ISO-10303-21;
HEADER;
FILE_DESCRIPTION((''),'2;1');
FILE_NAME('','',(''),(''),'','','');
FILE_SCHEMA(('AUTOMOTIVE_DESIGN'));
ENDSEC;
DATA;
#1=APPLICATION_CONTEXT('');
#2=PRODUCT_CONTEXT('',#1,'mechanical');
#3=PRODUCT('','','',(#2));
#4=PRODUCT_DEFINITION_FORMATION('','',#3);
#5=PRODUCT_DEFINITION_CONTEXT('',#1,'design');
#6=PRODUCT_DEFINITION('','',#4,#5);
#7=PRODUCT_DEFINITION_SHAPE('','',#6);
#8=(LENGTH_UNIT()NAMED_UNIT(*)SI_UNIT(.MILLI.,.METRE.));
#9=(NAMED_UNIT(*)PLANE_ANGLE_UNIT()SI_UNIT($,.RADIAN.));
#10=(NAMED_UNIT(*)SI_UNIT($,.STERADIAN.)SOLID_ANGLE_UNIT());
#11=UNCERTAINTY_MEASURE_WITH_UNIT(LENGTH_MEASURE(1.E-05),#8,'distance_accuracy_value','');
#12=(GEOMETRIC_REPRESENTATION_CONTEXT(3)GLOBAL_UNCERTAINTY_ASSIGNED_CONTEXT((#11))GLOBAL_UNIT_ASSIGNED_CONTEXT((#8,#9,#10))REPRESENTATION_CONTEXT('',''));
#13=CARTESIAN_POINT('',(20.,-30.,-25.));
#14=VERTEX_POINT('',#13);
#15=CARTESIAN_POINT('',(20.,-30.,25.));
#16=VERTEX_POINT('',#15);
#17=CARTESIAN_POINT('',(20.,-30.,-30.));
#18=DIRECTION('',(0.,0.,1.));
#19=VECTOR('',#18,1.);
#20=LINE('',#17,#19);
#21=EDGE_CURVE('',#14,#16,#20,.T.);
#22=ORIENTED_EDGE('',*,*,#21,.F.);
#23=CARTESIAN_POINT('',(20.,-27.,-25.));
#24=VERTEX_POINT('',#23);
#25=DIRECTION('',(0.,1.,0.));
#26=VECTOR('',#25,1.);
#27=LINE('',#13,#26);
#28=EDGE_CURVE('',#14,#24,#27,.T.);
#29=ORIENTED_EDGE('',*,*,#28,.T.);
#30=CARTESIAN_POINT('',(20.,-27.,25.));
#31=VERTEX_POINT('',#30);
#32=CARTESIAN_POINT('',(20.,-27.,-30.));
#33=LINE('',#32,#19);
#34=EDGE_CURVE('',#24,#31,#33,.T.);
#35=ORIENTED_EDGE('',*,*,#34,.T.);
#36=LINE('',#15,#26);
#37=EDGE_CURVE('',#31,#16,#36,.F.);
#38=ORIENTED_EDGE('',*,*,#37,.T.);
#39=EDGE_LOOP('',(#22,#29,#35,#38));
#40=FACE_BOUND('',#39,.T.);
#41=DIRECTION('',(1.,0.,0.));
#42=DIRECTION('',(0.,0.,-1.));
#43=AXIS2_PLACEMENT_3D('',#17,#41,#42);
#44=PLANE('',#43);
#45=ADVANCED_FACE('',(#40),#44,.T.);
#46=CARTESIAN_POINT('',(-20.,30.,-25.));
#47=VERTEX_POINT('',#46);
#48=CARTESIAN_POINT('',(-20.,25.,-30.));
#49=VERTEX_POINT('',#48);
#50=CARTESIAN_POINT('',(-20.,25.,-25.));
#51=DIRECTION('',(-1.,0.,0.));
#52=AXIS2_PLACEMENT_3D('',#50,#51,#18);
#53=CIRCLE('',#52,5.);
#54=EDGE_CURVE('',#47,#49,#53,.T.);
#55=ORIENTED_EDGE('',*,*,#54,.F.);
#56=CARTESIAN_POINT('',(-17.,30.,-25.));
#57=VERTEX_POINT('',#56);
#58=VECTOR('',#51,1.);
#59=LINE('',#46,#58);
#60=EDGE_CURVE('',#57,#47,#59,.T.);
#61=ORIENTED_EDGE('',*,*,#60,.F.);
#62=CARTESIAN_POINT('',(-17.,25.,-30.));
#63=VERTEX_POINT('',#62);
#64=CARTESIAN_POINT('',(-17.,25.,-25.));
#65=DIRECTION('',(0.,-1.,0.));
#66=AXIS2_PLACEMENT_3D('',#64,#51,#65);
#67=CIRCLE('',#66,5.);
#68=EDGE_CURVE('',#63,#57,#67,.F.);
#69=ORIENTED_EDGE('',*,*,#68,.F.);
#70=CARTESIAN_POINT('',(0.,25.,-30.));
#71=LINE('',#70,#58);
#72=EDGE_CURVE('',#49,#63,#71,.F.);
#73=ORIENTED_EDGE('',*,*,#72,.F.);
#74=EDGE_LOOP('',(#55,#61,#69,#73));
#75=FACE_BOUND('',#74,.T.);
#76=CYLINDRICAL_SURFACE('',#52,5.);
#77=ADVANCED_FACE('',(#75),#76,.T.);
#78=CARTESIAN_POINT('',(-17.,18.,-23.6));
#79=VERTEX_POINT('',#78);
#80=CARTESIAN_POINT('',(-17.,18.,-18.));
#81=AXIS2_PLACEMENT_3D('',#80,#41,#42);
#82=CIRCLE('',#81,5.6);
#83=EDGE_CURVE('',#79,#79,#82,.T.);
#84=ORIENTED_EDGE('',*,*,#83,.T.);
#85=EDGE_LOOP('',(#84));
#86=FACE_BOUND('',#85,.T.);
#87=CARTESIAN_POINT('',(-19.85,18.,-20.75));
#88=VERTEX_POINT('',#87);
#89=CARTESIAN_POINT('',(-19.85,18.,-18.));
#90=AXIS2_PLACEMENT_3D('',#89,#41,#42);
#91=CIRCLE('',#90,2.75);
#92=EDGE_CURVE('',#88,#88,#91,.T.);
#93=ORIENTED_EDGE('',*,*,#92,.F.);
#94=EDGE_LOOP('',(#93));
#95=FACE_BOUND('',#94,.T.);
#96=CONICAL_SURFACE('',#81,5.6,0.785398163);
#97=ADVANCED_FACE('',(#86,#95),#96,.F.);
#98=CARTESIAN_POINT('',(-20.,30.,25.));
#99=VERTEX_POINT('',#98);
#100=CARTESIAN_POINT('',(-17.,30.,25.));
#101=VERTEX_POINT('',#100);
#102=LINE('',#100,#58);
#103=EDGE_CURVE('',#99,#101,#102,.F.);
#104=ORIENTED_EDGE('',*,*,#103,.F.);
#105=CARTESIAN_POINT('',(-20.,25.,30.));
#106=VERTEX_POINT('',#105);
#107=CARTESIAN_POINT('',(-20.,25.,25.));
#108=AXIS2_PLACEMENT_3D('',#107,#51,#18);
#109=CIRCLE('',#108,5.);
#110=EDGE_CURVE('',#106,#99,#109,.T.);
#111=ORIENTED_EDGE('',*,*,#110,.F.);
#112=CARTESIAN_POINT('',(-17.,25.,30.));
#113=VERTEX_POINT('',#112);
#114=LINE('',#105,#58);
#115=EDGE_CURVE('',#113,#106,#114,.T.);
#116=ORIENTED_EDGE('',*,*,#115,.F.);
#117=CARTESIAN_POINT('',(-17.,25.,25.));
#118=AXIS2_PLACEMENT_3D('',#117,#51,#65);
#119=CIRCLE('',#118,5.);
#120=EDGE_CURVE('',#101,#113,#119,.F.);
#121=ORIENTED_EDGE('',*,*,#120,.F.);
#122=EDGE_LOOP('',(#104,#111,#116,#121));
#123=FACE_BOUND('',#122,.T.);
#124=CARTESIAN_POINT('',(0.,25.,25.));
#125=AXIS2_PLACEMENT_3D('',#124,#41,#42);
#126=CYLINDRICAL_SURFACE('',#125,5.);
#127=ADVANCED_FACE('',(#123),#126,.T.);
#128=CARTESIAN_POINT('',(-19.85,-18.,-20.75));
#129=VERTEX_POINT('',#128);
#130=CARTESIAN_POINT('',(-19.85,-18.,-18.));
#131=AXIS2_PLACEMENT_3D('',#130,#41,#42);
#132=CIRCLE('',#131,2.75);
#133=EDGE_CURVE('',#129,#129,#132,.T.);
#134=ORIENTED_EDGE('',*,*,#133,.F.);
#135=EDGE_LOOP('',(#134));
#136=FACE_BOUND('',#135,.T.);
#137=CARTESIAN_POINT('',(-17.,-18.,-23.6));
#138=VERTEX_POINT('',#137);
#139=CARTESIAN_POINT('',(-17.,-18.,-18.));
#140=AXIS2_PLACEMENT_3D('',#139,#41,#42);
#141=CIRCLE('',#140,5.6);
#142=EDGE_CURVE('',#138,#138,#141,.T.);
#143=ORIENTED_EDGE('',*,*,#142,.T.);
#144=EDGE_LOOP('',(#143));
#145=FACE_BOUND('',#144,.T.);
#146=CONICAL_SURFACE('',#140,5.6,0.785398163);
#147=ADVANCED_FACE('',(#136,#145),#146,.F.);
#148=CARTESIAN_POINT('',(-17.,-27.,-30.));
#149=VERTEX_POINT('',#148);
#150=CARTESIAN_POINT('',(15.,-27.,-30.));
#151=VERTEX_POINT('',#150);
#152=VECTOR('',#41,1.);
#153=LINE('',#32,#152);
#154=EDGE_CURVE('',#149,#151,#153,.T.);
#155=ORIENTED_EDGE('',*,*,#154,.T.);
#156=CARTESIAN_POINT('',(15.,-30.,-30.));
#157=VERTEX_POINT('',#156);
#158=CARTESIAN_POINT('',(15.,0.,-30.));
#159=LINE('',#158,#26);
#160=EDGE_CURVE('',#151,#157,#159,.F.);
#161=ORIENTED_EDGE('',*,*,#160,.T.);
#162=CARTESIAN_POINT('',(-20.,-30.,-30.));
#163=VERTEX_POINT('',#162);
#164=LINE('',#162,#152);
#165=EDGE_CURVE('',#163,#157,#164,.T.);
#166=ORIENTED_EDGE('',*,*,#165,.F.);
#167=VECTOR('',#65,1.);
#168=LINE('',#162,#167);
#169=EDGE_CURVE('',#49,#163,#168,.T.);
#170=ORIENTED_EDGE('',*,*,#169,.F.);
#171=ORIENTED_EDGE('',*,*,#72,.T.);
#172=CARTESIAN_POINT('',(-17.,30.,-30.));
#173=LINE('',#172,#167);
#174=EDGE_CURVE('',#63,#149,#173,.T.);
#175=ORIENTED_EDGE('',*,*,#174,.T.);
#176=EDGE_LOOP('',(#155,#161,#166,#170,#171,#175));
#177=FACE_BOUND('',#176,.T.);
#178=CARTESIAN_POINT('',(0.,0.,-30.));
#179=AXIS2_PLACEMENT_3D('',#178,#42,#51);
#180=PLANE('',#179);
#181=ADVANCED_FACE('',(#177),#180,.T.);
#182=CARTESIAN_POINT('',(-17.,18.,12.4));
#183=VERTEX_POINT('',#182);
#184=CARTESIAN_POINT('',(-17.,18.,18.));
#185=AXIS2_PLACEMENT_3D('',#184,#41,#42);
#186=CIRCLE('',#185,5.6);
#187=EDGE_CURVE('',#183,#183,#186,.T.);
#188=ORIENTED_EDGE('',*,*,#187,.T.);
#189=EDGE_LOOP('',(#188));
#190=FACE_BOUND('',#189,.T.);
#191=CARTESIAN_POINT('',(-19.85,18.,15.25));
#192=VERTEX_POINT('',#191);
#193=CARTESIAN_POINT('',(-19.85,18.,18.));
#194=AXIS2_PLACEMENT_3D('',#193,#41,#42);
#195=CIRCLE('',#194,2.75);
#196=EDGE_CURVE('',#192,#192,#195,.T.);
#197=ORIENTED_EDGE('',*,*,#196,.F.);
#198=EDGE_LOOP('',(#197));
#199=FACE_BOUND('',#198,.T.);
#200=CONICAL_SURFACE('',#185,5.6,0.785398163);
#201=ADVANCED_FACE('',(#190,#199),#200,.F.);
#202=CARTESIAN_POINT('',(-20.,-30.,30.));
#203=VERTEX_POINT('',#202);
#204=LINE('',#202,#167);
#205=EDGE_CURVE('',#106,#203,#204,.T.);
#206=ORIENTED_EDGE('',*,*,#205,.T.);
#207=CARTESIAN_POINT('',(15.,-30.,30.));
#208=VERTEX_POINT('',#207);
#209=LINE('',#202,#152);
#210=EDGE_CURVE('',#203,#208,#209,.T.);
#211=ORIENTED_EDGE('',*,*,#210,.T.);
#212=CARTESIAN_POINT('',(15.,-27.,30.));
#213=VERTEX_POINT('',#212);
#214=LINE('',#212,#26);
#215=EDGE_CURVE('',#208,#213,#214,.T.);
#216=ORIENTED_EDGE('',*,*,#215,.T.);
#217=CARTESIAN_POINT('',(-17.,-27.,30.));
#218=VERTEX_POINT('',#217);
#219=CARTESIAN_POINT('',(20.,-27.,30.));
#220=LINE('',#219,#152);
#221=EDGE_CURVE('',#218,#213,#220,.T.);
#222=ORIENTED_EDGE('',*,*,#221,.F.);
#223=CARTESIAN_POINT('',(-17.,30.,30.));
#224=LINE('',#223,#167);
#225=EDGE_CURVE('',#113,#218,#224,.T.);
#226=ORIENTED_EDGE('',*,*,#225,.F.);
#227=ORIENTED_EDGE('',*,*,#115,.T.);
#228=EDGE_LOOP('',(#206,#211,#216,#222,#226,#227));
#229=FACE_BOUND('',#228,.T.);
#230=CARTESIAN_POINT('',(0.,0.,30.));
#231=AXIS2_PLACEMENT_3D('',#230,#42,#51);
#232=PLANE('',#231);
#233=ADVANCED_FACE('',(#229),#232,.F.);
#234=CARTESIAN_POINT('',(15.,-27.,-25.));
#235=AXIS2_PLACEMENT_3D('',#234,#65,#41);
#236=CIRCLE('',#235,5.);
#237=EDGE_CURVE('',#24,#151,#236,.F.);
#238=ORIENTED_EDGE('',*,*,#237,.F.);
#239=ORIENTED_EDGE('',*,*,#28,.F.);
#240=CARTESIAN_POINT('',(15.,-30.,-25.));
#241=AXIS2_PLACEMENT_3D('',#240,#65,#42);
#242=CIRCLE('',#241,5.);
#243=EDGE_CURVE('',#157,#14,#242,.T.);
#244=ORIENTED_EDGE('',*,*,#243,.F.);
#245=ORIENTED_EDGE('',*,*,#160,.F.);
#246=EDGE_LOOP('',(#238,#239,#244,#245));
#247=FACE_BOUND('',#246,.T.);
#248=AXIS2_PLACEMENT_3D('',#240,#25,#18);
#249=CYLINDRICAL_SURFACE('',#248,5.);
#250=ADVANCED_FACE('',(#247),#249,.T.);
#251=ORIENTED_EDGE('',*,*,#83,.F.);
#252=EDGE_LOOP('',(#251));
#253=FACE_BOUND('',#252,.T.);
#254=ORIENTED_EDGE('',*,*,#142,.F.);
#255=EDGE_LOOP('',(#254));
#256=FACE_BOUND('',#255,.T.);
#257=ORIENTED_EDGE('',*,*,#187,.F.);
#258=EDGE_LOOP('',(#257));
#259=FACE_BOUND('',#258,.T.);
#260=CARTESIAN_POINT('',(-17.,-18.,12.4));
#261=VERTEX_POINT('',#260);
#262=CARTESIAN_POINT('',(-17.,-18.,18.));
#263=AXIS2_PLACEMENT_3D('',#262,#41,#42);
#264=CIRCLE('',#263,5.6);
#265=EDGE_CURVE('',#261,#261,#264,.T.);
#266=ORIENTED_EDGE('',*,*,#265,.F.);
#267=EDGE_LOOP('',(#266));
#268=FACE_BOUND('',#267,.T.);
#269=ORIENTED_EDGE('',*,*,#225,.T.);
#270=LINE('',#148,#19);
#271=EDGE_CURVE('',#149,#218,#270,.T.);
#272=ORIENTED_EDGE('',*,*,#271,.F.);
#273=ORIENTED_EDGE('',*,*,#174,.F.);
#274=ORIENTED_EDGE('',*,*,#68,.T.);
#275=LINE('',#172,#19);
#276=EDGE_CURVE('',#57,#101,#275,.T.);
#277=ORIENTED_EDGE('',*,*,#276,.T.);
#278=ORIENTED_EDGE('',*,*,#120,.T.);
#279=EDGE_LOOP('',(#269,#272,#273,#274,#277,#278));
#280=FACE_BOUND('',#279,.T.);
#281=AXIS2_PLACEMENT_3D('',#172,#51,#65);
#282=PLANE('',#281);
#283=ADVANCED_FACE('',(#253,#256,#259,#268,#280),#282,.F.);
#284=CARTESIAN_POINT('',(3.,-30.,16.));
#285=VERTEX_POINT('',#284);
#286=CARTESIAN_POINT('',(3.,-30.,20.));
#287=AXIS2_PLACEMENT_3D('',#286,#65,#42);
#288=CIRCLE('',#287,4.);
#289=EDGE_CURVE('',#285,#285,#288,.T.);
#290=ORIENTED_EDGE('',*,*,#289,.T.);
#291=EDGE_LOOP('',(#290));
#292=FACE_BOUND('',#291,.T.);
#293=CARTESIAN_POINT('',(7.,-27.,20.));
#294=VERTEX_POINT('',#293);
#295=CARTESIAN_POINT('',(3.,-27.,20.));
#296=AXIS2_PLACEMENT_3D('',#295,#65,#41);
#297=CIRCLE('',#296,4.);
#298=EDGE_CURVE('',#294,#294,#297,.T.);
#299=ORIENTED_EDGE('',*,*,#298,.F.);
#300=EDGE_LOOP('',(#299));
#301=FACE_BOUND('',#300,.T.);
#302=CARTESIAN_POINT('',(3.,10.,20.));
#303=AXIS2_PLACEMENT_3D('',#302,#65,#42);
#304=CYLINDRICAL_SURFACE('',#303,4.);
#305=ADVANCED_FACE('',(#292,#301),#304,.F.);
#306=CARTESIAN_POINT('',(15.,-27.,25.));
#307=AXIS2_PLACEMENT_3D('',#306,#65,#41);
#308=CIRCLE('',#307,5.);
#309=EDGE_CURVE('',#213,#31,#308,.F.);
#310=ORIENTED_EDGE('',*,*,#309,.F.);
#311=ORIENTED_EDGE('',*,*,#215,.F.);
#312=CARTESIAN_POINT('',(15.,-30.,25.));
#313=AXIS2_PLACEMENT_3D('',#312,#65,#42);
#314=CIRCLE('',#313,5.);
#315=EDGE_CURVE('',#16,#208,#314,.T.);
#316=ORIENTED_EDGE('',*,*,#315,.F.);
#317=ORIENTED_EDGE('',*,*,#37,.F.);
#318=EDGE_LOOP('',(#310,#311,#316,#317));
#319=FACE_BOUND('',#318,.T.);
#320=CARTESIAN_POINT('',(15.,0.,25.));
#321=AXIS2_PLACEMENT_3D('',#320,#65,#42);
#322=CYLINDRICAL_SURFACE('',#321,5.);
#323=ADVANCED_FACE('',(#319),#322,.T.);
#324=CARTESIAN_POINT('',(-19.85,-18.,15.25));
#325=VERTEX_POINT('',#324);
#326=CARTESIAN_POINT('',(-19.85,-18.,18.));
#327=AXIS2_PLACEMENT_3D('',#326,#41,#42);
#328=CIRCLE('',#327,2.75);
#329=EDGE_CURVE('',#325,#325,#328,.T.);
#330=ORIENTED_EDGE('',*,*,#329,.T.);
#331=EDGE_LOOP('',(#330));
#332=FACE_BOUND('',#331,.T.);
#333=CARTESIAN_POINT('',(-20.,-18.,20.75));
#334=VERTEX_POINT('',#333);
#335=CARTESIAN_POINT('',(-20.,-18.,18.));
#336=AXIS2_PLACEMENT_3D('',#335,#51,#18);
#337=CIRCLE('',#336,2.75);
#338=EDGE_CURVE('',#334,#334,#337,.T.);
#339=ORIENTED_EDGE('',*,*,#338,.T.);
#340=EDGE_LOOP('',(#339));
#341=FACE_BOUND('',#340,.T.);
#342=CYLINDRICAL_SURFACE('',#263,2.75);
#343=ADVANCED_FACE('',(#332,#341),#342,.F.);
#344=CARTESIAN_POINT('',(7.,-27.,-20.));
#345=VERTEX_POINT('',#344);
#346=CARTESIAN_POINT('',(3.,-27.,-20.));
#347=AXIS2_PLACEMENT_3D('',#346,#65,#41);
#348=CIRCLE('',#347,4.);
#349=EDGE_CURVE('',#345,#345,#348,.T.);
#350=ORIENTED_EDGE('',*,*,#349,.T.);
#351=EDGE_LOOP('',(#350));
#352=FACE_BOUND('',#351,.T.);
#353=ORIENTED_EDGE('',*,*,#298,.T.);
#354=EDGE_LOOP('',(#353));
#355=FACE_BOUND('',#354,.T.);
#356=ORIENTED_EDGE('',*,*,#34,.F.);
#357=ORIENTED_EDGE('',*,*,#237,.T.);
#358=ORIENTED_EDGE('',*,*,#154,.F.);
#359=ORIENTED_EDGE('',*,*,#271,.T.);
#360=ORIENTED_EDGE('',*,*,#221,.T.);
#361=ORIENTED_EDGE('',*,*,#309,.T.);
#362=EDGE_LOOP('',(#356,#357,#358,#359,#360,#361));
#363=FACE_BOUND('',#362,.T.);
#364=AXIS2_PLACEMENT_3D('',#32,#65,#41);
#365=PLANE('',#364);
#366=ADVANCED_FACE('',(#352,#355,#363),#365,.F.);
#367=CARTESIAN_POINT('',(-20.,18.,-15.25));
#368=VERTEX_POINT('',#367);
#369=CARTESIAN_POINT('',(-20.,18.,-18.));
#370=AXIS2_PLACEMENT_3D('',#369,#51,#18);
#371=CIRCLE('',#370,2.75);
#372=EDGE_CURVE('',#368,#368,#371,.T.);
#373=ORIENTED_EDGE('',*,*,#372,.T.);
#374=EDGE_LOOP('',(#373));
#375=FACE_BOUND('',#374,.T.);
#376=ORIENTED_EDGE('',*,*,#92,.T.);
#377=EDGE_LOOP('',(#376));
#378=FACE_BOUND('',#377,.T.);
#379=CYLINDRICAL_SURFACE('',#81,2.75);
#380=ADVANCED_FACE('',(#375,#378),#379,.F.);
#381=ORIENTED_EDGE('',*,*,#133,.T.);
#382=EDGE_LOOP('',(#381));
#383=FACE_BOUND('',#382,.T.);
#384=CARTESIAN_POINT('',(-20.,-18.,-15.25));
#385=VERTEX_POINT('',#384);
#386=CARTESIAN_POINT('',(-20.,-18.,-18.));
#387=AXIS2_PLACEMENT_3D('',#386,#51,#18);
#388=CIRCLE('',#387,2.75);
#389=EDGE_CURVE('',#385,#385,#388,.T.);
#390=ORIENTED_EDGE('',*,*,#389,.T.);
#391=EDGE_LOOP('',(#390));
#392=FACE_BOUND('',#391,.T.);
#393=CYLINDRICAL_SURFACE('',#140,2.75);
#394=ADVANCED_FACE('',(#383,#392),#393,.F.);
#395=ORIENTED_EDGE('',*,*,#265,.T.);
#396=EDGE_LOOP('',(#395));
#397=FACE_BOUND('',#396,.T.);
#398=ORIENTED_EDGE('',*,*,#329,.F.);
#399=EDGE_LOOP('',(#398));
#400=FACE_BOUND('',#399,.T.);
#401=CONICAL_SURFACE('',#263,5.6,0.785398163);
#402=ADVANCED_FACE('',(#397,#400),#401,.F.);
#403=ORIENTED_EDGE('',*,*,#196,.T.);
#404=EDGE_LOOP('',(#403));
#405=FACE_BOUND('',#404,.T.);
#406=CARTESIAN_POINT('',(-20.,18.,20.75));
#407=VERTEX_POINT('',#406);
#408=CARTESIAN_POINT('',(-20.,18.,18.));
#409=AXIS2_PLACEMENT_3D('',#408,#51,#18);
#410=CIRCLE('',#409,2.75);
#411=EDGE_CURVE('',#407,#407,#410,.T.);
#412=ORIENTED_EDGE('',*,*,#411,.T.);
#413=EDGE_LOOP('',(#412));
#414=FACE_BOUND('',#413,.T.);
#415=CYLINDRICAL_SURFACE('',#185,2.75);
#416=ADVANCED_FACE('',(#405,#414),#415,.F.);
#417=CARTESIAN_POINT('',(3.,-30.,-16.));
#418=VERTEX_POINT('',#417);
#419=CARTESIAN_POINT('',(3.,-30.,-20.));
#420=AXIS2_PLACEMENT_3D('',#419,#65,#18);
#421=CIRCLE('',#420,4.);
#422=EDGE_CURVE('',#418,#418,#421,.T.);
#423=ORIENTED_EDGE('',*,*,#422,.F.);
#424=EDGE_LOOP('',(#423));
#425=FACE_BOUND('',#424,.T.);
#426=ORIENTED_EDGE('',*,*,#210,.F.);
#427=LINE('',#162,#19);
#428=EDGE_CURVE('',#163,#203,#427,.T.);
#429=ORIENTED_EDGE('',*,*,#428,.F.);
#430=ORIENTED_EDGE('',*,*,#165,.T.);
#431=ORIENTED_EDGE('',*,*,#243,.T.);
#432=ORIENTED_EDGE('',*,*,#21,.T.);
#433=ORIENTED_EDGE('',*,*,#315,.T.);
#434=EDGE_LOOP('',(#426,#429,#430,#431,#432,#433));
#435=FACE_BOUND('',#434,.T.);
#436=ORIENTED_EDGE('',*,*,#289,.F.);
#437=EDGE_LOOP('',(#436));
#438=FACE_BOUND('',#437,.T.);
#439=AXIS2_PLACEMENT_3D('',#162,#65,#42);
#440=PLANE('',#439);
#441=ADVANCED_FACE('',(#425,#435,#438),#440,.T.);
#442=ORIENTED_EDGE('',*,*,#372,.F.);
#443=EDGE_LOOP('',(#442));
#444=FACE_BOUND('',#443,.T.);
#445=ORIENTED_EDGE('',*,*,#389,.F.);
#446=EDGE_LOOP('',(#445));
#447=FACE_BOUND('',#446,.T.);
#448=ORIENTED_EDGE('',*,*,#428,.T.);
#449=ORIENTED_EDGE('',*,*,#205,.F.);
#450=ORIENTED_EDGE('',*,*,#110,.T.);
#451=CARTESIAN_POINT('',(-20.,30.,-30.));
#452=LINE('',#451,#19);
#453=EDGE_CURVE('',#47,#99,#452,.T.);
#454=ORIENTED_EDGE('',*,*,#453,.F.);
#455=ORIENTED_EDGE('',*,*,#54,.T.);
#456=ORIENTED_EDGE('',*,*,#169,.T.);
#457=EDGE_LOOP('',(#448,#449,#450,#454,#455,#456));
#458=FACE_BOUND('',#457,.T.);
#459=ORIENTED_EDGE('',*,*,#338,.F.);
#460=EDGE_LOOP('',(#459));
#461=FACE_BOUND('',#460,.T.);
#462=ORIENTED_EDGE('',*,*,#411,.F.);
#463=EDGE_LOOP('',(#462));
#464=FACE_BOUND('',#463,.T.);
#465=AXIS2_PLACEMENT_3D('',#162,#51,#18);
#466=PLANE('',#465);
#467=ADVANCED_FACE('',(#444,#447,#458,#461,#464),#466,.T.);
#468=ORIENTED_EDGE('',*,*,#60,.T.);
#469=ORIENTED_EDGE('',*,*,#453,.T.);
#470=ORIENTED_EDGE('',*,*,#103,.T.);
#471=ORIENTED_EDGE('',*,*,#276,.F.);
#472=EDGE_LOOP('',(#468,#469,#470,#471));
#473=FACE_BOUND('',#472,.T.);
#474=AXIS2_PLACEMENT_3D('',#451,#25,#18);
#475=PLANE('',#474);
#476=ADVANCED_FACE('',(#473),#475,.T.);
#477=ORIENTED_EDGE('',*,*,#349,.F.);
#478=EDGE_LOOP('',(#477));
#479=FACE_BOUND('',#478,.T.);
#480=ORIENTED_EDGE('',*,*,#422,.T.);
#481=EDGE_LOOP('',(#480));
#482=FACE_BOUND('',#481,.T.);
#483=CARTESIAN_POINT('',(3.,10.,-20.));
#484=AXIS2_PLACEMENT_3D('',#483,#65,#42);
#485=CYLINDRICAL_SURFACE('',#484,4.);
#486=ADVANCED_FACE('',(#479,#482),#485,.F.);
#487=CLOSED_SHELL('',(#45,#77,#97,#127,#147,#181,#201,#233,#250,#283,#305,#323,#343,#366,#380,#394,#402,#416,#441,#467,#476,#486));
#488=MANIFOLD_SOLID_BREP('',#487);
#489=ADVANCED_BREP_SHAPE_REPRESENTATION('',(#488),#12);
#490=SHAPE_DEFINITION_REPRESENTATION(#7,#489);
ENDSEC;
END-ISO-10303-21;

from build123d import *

# Parameters (mm, degrees)
DODANIE_WYCI_GNI_CIE1_DEPTH                        = 30
DODANIE_WYCI_GNI_CIE1_DEPTH_BACK                   = 30
SZKIC1_W                                           = 40
SZKIC1_H                                           = 60
SZKIC2_W                                           = 37
SZKIC2_H                                           = 57
WYTNIJ_WYCI_GNI_CIE1_DEPTH                         = 71
SZKIC3_R                                           = 4
WYTNIJ_WYCI_GNI_CIE2_DEPTH                         = 40
POG_BIENIE_STO_KOWE_POD_M5_WKR_T_Z_BEM_D           = 5.5
POG_BIENIE_STO_KOWE_POD_M5_WKR_T_Z_BEM_DEPTH       = 10
POG_BIENIE_STO_KOWE_POD_M5_WKR_T_Z_BEM_CSINK_D     = 11.2
POG_BIENIE_STO_KOWE_POD_M5_WKR_T_Z_BEM_CSINK_ANGLE = 90
POG_BIENIE_STO_KOWE_POD_M5_WKR_T_Z_BEM_TIP         = 1.652366702
ZAOKR_GLENIE1_R                                    = 5


with BuildPart() as part:
    # Szkic1 → Dodanie-wyciągnięcie1 (new, two sides: drawn at the far end of the back side and taken through both)
    with BuildSketch(Plane.XY.offset(-DODANIE_WYCI_GNI_CIE1_DEPTH_BACK)):
        Rectangle(SZKIC1_W, SZKIC1_H)
    extrude(amount=DODANIE_WYCI_GNI_CIE1_DEPTH + DODANIE_WYCI_GNI_CIE1_DEPTH_BACK)

    # Szkic2 → Wytnij-wyciągnięcie1 (cut, through all)
    with BuildSketch(Plane.XY.offset(30)):
        with Locations((1.5, 1.5)):
            Rectangle(SZKIC2_W, SZKIC2_H)
    extrude(amount=-WYTNIJ_WYCI_GNI_CIE1_DEPTH, mode=Mode.SUBTRACT)

    # Szkic3 → Wytnij-wyciągnięcie2 (cut)
    with BuildSketch(Plane(origin=(0, -30, 0), x_dir=(-1, 0, 0), z_dir=(0, -1, 0))):
        with Locations((-3, -20)):
            Circle(SZKIC3_R)
        with Locations((-3, 20)):
            Circle(SZKIC3_R)
    extrude(amount=-WYTNIJ_WYCI_GNI_CIE2_DEPTH, mode=Mode.SUBTRACT)

    # Pogłębienie stożkowe pod M5 Wkręt z łbem stożkowym płaskim1
    with Locations(Plane(origin=(-17, 0, 0), x_dir=(0, 0, -1), z_dir=(1, 0, 0))):
        with Locations((-18, 18), (18, 18), (18, -18), (-18, -18)):
            CounterSinkHole(POG_BIENIE_STO_KOWE_POD_M5_WKR_T_Z_BEM_D / 2, POG_BIENIE_STO_KOWE_POD_M5_WKR_T_Z_BEM_CSINK_D / 2, depth=POG_BIENIE_STO_KOWE_POD_M5_WKR_T_Z_BEM_DEPTH, counter_sink_angle=POG_BIENIE_STO_KOWE_POD_M5_WKR_T_Z_BEM_CSINK_ANGLE)
            with Locations((0, 0, -(POG_BIENIE_STO_KOWE_POD_M5_WKR_T_Z_BEM_DEPTH + POG_BIENIE_STO_KOWE_POD_M5_WKR_T_Z_BEM_TIP / 2))):  # 118° drill point
                Cone(0, POG_BIENIE_STO_KOWE_POD_M5_WKR_T_Z_BEM_D / 2, POG_BIENIE_STO_KOWE_POD_M5_WKR_T_Z_BEM_TIP, mode=Mode.SUBTRACT)

    # Zaokrąglenie1
    zaokr_glenie1_edges = [part.edges().sort_by_distance(p)[0] for p in [
        (-18.5, 30, -30),
        (-18.5, 30, 30),
        (20, -28.5, -30),
        (20, -28.5, 30),
    ]]
    fillet(zaokr_glenie1_edges, radius=ZAOKR_GLENIE1_R)


solid = part.part
